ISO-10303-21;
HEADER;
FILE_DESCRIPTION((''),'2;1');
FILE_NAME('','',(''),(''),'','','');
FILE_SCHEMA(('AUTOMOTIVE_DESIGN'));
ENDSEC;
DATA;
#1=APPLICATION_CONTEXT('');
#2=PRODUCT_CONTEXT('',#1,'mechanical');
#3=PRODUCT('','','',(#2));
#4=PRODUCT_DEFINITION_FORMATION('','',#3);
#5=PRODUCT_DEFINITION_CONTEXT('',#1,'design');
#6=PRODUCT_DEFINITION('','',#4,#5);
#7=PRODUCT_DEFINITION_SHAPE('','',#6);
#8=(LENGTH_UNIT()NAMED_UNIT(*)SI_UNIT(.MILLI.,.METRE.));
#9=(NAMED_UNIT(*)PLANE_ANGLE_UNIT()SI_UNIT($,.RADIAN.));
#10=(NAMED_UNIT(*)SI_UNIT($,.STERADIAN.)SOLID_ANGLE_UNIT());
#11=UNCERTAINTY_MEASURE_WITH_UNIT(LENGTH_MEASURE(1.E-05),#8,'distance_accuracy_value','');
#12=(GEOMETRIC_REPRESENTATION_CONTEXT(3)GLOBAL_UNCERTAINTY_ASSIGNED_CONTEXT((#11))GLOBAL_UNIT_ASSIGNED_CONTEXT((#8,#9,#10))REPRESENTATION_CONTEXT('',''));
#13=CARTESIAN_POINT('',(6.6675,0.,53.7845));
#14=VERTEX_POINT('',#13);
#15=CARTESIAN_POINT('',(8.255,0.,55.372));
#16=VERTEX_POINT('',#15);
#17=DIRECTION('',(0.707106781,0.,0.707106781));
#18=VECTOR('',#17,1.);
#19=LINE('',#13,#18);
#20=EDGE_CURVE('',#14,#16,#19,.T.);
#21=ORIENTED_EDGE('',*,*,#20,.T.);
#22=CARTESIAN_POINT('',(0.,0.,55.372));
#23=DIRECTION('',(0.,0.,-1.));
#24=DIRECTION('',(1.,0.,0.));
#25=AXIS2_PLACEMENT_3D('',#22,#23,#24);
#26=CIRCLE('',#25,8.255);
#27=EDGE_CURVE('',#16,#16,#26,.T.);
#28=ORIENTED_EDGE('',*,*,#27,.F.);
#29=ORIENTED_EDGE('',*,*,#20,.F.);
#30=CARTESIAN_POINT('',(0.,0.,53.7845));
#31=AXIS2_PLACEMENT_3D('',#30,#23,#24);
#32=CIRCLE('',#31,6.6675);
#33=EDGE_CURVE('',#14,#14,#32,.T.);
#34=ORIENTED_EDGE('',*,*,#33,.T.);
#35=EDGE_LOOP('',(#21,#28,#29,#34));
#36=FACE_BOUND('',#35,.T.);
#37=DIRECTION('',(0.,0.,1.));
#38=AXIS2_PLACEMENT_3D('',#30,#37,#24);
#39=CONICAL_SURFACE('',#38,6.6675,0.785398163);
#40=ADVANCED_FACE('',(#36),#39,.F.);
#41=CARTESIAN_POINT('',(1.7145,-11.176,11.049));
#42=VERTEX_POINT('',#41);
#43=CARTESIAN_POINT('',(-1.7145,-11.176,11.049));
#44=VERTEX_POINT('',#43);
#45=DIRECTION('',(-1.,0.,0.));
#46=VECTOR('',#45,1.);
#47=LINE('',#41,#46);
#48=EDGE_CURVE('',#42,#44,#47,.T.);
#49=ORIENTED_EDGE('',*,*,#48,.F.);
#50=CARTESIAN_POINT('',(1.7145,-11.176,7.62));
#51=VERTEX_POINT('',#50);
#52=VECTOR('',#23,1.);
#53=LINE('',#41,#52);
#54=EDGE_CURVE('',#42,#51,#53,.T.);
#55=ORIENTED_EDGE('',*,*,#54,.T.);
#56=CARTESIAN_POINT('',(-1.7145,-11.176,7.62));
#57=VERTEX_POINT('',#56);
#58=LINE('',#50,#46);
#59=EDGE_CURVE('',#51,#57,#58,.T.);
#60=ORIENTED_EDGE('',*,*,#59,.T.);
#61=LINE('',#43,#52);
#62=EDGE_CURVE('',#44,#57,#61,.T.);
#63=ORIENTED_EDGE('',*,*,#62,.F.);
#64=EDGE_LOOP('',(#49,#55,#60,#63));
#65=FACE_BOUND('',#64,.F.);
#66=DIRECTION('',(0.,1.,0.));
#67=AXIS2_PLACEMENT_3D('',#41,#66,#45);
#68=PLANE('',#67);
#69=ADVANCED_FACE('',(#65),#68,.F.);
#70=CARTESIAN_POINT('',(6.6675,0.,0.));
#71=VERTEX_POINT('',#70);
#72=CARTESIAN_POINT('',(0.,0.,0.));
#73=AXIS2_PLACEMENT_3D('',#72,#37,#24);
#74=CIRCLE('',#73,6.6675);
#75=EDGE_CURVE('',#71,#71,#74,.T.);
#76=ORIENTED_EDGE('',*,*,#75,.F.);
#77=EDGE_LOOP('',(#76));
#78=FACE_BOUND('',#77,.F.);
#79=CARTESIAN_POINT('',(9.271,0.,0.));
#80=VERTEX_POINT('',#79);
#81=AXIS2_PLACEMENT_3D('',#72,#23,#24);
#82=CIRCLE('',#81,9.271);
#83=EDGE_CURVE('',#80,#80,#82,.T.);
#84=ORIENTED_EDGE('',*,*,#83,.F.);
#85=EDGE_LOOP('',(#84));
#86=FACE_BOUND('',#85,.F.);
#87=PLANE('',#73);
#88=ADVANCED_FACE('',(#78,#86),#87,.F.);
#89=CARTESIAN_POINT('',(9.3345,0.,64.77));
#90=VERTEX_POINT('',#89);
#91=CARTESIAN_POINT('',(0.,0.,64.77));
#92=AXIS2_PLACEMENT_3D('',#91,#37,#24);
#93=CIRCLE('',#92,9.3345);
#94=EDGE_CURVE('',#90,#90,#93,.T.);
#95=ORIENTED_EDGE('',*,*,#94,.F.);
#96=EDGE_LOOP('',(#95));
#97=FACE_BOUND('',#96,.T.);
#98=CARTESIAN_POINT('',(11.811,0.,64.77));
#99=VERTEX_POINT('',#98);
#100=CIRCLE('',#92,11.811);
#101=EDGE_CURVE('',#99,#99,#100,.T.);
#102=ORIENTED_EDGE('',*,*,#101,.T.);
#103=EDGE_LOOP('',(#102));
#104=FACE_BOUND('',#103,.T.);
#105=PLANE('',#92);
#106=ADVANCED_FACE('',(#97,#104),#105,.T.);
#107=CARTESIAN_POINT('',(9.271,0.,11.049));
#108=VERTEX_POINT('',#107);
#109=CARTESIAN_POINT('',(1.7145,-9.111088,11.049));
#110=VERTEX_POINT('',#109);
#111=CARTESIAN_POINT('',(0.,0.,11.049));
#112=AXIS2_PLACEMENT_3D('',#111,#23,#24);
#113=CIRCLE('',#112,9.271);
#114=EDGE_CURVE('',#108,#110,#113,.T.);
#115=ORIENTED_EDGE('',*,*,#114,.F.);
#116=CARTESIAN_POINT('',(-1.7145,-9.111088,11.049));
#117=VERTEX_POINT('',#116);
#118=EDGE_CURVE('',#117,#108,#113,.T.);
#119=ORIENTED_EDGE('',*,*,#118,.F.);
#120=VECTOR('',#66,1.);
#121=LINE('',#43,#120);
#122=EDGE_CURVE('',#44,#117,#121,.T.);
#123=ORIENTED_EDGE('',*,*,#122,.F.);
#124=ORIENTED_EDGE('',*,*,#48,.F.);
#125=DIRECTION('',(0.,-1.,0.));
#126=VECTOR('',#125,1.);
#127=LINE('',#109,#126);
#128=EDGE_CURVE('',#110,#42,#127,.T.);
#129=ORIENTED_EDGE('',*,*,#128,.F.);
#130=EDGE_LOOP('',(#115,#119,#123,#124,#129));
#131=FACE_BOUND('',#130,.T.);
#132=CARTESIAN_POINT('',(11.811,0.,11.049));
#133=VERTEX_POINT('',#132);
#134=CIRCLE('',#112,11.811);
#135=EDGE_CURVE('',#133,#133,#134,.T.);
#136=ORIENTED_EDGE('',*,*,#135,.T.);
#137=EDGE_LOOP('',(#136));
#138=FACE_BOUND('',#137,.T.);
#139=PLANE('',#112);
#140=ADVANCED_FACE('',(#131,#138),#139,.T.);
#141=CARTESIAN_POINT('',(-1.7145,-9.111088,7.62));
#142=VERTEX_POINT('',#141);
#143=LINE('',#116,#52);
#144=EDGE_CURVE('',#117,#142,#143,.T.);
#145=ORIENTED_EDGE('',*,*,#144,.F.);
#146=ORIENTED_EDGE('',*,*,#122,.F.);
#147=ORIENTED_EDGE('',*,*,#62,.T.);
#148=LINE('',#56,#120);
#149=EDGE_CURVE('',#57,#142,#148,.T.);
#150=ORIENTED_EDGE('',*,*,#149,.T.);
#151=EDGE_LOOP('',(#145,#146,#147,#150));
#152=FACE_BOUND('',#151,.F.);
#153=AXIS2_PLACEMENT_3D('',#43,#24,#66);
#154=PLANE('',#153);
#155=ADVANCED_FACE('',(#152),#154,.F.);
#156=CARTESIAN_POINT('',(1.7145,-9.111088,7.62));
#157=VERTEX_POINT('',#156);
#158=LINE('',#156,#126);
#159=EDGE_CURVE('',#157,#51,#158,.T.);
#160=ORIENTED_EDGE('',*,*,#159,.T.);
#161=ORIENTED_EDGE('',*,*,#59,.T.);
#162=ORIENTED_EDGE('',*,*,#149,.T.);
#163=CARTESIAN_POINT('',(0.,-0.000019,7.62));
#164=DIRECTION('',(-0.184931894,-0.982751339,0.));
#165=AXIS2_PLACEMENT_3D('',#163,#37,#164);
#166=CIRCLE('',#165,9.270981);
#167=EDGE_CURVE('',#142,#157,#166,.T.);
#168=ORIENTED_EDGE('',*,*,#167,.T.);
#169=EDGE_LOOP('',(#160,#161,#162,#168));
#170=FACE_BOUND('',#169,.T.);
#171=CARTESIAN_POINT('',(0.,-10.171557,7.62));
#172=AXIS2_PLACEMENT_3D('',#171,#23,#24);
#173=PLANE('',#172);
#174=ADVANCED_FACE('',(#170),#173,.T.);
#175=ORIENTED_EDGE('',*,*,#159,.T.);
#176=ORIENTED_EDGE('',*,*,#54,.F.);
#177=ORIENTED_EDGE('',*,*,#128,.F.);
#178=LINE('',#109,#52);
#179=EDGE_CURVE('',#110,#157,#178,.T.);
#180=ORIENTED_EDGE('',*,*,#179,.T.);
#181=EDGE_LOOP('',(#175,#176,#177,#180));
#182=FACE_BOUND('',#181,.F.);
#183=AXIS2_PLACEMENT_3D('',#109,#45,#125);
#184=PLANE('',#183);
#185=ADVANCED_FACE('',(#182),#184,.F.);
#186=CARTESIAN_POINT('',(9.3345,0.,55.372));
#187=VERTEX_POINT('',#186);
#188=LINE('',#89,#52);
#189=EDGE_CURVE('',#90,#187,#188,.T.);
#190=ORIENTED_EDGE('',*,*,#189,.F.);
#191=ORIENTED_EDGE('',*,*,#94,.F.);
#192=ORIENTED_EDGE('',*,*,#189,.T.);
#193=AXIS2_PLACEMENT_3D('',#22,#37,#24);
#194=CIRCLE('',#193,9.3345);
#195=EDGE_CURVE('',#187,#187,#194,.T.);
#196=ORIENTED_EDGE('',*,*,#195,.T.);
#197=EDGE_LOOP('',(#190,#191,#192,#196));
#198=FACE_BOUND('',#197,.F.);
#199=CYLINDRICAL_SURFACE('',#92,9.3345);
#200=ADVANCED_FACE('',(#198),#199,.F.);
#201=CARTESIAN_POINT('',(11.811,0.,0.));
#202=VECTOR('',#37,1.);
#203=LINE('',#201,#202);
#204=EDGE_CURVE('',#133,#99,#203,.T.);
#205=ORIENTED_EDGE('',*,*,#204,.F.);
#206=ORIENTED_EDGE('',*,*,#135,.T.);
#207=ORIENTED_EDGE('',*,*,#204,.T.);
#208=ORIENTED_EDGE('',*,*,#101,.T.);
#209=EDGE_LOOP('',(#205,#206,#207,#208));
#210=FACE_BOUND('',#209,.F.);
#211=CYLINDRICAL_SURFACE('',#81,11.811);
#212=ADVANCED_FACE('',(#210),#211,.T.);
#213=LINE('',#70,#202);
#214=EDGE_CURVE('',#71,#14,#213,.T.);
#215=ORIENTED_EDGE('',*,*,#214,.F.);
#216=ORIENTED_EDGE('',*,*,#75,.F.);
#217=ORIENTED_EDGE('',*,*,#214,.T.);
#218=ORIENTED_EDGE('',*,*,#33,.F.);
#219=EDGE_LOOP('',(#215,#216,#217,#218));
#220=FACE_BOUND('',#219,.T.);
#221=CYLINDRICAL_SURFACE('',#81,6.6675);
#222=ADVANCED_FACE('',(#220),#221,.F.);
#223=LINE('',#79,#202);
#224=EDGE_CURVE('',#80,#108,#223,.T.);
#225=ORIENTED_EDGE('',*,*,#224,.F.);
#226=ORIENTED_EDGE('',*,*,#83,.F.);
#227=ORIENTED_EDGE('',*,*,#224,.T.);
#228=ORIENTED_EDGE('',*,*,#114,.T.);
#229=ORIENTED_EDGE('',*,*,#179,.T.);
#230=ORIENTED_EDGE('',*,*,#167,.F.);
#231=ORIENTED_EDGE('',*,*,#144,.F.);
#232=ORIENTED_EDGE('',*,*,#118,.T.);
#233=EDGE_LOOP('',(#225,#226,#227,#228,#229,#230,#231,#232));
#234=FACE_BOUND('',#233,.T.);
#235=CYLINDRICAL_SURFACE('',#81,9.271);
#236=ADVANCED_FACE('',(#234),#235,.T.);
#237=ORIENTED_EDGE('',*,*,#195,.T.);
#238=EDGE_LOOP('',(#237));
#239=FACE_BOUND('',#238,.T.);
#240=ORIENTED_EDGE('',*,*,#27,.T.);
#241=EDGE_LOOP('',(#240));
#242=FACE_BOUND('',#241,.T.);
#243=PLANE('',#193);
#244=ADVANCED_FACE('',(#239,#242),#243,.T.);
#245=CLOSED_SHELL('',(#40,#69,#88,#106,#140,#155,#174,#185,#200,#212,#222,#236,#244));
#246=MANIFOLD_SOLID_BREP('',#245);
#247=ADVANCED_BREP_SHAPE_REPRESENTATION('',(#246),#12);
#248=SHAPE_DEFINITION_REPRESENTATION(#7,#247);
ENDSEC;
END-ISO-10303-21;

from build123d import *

# Parameters (mm, degrees)
F0_R     = 11.811
F0_R_2   = 6.6675
F1_DEPTH = 64.77
F2_R     = 9.271
F2_R_2   = 6.6675
F2_R_3   = 11.811
F3_DEPTH = 11.049
F5_DEPTH = 3.429
F6_R     = 9.3345
F7_DEPTH = 9.398
F8_SIZE  = 1.5875


with BuildPart() as f1:
    # F0 (on Top) → F1 (new body)
    with BuildSketch(Plane.XY):
        Circle(F0_R)
        Circle(F0_R_2, mode=Mode.SUBTRACT)
    extrude(amount=F1_DEPTH)

    # F2 (on face) → F3 (cut)
    with BuildSketch(Plane(origin=(0, 0, 0), x_dir=(1, 0, 0), z_dir=(0, 0, -1))):
        Circle(F2_R)
        Circle(F2_R_2, mode=Mode.SUBTRACT)
        Circle(F2_R_3)
        Circle(F2_R, mode=Mode.SUBTRACT)
    extrude(amount=-F3_DEPTH, mode=Mode.SUBTRACT)

    # F4 (on face) → F5 (join)
    with BuildSketch(Plane(origin=(0, 0, 11.049), x_dir=(1, 0, 0), z_dir=(0, 0, -1))):
        with BuildLine():
            Line((1.7145, 11.176), (-1.7145, 11.176))
            Line((-1.7145, 11.176), (-1.7145, 9.111088))
            ThreePointArc((-1.7145, 9.111088), (0, 9.271), (1.7145, 9.111088))
            Line((1.7145, 9.111088), (1.7145, 11.176))
        make_face()
    extrude(amount=F5_DEPTH)

    # F6 (on face) → F7 (cut)
    with BuildSketch(Plane.XY.offset(64.77)):
        Circle(F6_R)
    extrude(amount=-F7_DEPTH, mode=Mode.SUBTRACT)

    # F8
    f8_edges = [f1.edges().sort_by_distance(p)[0] for p in [
        (-6.6675, 0, 55.372),
    ]]
    chamfer(f8_edges, length=F8_SIZE)


solid = f1.part
